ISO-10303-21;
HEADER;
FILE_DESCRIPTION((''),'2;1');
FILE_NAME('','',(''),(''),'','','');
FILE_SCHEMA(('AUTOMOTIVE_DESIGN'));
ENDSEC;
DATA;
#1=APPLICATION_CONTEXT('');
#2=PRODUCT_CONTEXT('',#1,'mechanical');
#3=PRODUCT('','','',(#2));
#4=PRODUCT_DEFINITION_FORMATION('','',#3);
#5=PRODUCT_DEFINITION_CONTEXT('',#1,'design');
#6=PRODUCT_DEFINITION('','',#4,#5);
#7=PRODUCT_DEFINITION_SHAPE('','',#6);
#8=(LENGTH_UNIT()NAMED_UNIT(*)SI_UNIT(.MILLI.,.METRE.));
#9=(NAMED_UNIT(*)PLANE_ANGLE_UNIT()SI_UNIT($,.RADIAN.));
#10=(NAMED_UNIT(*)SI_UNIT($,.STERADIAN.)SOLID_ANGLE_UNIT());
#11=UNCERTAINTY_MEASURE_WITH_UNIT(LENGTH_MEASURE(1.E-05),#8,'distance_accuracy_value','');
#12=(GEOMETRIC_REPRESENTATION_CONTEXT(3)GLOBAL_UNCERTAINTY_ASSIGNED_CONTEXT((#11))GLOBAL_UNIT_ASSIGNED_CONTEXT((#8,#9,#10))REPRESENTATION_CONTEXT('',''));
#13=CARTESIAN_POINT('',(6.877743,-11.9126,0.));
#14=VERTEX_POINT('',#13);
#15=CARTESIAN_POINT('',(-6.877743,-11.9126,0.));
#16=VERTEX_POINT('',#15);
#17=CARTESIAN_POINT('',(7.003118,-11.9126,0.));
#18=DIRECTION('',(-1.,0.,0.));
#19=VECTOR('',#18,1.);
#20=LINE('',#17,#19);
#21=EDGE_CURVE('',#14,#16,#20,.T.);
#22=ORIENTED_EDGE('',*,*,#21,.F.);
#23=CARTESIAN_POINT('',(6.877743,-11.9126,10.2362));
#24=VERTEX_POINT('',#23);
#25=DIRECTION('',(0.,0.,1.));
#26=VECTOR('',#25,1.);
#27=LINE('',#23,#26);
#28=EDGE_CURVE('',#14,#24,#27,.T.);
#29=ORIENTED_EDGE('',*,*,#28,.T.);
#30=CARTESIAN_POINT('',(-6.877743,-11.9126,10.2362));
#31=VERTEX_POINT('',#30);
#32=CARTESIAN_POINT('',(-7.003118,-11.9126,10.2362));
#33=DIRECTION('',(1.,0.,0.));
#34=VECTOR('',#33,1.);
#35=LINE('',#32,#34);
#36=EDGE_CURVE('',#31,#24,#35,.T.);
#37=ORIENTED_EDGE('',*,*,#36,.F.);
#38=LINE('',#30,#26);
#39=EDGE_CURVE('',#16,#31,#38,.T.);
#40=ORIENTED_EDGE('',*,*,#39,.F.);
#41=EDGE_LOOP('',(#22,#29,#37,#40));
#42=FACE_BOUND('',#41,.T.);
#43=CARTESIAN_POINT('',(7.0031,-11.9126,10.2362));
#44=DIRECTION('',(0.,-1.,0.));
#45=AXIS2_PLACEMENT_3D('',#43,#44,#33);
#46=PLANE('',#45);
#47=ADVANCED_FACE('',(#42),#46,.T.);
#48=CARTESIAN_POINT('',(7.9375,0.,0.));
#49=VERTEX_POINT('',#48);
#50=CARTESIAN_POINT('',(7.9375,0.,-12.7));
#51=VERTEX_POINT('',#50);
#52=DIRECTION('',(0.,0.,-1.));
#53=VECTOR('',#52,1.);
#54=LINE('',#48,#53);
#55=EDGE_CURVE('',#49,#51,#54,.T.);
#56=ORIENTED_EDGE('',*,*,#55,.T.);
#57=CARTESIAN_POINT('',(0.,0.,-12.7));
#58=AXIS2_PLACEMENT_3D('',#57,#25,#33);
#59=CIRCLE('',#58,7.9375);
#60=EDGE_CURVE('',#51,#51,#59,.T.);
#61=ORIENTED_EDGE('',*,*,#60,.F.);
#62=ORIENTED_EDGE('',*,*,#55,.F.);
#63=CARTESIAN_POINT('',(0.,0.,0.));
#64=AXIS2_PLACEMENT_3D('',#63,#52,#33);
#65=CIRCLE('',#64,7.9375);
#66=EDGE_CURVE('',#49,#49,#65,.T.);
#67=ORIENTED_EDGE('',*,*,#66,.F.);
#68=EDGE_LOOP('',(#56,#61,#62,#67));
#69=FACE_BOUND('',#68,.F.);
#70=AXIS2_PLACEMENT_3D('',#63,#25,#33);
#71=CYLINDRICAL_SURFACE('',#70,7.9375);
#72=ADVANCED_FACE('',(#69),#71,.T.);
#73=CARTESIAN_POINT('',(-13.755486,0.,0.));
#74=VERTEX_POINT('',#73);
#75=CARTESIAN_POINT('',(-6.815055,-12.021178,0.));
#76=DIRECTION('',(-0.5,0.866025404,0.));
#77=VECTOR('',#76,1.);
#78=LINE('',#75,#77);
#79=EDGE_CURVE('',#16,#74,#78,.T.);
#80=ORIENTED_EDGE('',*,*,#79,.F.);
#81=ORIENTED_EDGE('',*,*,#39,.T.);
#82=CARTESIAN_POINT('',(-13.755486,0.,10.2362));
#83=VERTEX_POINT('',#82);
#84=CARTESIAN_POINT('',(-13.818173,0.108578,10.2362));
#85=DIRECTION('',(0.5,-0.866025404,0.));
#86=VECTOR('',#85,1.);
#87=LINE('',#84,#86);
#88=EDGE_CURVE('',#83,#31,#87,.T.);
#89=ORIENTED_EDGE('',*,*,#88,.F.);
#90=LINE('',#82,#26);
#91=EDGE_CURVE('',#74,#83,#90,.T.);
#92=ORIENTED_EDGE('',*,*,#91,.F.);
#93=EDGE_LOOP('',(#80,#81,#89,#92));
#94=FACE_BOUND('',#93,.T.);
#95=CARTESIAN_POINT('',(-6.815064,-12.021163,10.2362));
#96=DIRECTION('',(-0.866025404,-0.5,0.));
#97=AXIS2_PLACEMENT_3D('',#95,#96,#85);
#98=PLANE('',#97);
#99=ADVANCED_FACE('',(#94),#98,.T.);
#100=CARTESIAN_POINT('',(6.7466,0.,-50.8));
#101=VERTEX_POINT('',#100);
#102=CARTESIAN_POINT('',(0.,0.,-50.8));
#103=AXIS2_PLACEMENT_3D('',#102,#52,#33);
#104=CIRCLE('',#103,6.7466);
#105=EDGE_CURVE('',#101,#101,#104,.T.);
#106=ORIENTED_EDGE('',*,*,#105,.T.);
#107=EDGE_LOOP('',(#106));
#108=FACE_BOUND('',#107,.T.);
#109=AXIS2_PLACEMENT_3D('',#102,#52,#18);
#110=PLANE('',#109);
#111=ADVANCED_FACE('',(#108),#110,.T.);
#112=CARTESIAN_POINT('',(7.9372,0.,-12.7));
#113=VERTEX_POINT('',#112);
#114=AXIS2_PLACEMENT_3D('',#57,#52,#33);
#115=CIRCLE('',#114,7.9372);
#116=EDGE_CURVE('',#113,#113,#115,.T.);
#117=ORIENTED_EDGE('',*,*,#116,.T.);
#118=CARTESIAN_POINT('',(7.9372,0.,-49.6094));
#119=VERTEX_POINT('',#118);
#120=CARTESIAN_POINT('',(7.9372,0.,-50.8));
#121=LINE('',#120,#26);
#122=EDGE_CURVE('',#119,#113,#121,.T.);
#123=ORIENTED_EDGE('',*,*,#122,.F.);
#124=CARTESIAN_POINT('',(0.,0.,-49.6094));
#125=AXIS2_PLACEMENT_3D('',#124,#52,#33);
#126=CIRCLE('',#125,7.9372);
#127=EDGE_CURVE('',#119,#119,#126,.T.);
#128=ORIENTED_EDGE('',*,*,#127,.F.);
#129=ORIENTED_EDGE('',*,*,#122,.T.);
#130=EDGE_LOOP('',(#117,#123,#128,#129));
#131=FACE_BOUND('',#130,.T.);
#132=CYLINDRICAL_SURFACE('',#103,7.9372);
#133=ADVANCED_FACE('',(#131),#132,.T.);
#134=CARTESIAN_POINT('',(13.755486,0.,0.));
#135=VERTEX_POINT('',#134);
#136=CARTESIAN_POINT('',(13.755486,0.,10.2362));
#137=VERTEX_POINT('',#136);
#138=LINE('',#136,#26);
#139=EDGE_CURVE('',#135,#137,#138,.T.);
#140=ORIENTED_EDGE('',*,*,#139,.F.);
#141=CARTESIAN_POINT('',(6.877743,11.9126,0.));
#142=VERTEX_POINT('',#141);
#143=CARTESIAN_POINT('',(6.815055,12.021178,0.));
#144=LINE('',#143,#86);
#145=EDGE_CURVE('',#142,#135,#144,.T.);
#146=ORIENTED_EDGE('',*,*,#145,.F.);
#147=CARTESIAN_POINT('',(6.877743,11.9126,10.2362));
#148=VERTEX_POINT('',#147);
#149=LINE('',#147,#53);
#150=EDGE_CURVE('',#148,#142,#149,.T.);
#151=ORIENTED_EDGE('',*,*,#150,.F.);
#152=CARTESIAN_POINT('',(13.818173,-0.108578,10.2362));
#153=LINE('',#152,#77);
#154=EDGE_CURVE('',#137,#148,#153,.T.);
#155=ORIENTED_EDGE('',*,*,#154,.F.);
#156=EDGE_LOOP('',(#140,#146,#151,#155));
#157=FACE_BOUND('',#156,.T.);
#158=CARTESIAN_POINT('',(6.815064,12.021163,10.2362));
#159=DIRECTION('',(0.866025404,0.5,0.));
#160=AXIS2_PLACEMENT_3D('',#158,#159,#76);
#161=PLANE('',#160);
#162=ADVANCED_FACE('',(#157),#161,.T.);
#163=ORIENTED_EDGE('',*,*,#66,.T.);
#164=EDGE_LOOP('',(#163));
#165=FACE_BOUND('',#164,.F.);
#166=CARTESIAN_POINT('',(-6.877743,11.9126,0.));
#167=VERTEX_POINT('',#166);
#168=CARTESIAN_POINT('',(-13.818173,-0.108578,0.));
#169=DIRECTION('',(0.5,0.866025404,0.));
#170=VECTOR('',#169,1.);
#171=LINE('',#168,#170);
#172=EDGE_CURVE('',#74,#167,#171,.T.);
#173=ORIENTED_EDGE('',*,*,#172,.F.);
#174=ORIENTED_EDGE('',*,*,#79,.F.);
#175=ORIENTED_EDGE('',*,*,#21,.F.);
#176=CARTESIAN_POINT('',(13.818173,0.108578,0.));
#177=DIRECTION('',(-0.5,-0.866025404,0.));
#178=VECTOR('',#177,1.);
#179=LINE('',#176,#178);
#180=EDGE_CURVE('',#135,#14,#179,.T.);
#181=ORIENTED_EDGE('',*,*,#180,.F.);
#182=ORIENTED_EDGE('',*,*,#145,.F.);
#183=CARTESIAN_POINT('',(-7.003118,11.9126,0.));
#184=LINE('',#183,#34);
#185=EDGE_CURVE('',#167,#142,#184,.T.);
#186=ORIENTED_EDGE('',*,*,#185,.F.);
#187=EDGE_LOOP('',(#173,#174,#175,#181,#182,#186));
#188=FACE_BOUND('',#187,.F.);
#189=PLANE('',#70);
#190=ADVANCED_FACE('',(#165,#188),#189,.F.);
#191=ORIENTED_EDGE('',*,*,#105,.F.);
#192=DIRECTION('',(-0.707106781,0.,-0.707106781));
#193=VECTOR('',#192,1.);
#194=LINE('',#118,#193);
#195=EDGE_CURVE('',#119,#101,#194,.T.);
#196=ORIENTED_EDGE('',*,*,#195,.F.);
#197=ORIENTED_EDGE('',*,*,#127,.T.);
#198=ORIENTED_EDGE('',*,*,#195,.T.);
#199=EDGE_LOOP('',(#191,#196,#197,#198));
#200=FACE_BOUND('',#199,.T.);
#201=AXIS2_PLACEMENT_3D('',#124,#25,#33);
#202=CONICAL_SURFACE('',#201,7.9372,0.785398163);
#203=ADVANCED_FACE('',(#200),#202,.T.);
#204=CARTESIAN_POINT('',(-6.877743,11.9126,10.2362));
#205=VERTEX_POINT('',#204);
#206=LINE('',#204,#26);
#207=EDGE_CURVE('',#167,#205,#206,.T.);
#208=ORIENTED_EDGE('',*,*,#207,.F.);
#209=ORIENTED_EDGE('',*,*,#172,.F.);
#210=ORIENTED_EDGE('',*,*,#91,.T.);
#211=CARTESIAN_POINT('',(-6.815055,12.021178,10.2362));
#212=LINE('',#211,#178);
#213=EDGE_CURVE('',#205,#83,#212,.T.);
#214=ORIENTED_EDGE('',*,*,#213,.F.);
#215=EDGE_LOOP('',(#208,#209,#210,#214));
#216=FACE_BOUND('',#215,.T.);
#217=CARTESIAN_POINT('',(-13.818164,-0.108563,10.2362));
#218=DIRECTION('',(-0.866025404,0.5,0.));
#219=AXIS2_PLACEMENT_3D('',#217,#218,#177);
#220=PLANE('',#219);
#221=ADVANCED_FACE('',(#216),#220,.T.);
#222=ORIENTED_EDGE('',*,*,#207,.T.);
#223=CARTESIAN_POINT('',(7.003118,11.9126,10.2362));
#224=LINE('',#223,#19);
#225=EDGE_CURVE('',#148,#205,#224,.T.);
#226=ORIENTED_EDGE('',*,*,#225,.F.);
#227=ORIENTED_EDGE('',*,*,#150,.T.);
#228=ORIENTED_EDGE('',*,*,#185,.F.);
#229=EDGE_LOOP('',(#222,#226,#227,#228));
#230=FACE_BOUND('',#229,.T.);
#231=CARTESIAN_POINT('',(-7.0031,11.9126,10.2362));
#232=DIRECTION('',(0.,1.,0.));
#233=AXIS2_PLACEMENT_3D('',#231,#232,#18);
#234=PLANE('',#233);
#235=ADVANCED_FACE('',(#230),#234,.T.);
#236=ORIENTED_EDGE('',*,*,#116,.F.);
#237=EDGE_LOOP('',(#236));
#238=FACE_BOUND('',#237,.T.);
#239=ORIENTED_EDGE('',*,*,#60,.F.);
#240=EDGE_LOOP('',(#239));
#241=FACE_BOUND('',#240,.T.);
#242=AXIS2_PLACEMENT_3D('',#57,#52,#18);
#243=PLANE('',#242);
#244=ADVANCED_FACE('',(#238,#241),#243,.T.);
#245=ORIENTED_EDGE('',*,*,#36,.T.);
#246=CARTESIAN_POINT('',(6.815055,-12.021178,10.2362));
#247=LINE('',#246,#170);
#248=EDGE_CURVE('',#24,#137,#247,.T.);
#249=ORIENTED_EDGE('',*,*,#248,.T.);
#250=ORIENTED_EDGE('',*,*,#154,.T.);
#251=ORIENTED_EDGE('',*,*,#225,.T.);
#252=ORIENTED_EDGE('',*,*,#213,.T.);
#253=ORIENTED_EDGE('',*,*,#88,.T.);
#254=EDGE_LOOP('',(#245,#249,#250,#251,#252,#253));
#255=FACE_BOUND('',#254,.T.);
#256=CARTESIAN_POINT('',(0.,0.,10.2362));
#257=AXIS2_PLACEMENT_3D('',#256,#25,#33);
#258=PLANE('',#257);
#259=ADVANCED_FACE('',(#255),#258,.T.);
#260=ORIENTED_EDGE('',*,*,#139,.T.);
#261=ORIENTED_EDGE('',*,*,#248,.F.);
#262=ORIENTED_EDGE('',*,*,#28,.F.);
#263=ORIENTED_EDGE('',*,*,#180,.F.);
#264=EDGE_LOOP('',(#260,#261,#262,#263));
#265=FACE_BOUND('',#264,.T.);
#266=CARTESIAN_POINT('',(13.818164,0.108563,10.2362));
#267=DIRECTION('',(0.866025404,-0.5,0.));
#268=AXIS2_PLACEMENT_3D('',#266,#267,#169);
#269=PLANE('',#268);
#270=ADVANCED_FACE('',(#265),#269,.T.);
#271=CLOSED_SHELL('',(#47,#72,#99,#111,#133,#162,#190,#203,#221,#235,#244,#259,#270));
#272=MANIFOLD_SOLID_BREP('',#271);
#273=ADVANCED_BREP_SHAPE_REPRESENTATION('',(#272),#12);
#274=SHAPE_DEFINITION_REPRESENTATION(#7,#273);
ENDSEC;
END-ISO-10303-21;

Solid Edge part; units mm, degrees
sketch "Sketch1" plane through (0, 0, 0) normal (0, 0, 1) x (1, 0, 0)
  circle A0 centre (0, 0) radius 13.8186
  dimension "D1" = 27.6372
extrude "Protrusion1" add sketch "Sketch1" along normal blind 10.2362
sketch "Sketch2" plane through (0, 0, 0) normal (0, 0, -1) x (1, 0, 0)
  circle A0 centre (0, 0) radius 7.9375
extrude "Protrusion2" add sketch "Sketch2" along normal blind 50.8
sketch "Sketch3" plane through (0, 0, -50.8) normal (0, 0, -1) x (1, 0, 0)
  circle A0 centre (0, 0) radius 7.9372
extrude "Cutout1" cut sketch "Sketch3" against normal blind 38.1 flip side to cut
chamfer "Chamfer_1" distance 1.1906 angle 45 1 edges at (-7.9372, 0, -50.8)
sketch "Sketch4" plane through (0, 0, 10.2362) normal (0, 0, 1) x (1, 0, 0)
  line L0 (-7.0031, 11.9126) -> (7.0031, 11.9126)
  dimension "D1" = 23.8252
extrude "Cutout2" cut sketch "Sketch4" against normal up to next material side at (0, 11.9626, 10.2362)
pattern_circular "Pattern1" count 6 over 360 about axis through (0, 0, 10.2362) along (0, 0, 1) of "Cutout2"
properties part number "24100040"
